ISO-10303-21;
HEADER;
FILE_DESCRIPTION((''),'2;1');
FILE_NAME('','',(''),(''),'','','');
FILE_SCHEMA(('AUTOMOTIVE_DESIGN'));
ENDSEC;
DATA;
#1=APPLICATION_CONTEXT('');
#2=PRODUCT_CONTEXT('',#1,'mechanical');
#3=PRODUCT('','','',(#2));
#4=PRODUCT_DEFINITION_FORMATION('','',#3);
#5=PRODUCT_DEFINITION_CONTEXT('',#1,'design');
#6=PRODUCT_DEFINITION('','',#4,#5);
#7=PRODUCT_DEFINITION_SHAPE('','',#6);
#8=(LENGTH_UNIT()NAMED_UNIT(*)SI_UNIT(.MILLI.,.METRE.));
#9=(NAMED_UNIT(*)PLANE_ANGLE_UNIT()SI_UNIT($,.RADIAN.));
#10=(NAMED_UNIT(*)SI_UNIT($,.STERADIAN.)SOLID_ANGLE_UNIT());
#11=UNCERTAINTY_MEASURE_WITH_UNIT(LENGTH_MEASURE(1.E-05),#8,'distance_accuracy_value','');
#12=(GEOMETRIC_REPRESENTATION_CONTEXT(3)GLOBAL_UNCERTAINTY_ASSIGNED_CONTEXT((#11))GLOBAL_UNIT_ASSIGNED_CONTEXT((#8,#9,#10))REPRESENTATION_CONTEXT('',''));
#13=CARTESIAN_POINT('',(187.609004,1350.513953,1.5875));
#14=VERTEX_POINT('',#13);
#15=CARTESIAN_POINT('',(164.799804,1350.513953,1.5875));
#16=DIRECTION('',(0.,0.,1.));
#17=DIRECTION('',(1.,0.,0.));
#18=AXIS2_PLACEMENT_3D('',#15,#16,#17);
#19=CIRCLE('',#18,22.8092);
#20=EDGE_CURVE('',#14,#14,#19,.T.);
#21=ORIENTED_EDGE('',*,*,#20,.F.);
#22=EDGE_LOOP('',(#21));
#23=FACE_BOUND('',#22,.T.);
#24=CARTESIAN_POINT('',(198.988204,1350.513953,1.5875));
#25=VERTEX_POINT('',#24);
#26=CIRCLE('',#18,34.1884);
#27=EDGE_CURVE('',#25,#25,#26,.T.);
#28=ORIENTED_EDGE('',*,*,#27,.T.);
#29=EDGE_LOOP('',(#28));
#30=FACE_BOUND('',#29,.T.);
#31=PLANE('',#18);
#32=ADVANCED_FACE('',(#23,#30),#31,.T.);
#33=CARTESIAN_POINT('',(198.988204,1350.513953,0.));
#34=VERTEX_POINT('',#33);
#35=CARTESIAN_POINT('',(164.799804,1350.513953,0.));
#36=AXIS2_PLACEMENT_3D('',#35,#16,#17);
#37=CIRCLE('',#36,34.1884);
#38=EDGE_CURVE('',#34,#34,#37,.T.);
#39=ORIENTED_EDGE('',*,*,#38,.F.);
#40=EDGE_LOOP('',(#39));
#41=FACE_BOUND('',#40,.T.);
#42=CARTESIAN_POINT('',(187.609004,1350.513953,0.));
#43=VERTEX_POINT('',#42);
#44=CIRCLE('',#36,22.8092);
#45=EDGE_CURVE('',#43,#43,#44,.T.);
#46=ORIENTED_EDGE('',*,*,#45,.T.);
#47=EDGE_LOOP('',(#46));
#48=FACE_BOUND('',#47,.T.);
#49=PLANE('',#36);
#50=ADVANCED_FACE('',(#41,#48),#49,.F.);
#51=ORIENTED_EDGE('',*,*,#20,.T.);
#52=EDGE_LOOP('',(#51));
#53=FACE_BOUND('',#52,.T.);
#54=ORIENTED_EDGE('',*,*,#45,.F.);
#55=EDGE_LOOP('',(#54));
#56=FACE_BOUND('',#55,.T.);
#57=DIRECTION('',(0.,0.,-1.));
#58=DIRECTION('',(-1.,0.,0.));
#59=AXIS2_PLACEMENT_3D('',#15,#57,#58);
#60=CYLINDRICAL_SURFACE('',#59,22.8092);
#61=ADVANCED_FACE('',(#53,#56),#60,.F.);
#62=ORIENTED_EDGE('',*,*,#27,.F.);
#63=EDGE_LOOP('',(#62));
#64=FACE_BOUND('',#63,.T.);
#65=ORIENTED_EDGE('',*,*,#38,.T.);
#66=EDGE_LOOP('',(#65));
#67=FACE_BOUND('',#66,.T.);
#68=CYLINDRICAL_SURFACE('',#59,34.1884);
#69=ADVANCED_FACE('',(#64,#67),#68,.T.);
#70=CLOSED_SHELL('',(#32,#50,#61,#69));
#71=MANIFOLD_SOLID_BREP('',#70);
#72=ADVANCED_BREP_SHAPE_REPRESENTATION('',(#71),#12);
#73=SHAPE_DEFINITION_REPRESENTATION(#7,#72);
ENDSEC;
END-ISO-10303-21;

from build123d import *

# Parameters (mm, degrees)
SKETCH1_R           = 34.1884
SKETCH1_R_2         = 22.8092
BOSS_EXTRUDE1_DEPTH = 1.5875


with BuildPart() as part:
    # Sketch1 → Boss-Extrude1 (new body)
    with BuildSketch(Plane.XY):
        with Locations((164.799803954, 1350.513952992)):
            Circle(SKETCH1_R)
        with Locations((164.799803954, 1350.513952992)):
            Circle(SKETCH1_R_2, mode=Mode.SUBTRACT)
    extrude(amount=BOSS_EXTRUDE1_DEPTH)


solid = part.part
